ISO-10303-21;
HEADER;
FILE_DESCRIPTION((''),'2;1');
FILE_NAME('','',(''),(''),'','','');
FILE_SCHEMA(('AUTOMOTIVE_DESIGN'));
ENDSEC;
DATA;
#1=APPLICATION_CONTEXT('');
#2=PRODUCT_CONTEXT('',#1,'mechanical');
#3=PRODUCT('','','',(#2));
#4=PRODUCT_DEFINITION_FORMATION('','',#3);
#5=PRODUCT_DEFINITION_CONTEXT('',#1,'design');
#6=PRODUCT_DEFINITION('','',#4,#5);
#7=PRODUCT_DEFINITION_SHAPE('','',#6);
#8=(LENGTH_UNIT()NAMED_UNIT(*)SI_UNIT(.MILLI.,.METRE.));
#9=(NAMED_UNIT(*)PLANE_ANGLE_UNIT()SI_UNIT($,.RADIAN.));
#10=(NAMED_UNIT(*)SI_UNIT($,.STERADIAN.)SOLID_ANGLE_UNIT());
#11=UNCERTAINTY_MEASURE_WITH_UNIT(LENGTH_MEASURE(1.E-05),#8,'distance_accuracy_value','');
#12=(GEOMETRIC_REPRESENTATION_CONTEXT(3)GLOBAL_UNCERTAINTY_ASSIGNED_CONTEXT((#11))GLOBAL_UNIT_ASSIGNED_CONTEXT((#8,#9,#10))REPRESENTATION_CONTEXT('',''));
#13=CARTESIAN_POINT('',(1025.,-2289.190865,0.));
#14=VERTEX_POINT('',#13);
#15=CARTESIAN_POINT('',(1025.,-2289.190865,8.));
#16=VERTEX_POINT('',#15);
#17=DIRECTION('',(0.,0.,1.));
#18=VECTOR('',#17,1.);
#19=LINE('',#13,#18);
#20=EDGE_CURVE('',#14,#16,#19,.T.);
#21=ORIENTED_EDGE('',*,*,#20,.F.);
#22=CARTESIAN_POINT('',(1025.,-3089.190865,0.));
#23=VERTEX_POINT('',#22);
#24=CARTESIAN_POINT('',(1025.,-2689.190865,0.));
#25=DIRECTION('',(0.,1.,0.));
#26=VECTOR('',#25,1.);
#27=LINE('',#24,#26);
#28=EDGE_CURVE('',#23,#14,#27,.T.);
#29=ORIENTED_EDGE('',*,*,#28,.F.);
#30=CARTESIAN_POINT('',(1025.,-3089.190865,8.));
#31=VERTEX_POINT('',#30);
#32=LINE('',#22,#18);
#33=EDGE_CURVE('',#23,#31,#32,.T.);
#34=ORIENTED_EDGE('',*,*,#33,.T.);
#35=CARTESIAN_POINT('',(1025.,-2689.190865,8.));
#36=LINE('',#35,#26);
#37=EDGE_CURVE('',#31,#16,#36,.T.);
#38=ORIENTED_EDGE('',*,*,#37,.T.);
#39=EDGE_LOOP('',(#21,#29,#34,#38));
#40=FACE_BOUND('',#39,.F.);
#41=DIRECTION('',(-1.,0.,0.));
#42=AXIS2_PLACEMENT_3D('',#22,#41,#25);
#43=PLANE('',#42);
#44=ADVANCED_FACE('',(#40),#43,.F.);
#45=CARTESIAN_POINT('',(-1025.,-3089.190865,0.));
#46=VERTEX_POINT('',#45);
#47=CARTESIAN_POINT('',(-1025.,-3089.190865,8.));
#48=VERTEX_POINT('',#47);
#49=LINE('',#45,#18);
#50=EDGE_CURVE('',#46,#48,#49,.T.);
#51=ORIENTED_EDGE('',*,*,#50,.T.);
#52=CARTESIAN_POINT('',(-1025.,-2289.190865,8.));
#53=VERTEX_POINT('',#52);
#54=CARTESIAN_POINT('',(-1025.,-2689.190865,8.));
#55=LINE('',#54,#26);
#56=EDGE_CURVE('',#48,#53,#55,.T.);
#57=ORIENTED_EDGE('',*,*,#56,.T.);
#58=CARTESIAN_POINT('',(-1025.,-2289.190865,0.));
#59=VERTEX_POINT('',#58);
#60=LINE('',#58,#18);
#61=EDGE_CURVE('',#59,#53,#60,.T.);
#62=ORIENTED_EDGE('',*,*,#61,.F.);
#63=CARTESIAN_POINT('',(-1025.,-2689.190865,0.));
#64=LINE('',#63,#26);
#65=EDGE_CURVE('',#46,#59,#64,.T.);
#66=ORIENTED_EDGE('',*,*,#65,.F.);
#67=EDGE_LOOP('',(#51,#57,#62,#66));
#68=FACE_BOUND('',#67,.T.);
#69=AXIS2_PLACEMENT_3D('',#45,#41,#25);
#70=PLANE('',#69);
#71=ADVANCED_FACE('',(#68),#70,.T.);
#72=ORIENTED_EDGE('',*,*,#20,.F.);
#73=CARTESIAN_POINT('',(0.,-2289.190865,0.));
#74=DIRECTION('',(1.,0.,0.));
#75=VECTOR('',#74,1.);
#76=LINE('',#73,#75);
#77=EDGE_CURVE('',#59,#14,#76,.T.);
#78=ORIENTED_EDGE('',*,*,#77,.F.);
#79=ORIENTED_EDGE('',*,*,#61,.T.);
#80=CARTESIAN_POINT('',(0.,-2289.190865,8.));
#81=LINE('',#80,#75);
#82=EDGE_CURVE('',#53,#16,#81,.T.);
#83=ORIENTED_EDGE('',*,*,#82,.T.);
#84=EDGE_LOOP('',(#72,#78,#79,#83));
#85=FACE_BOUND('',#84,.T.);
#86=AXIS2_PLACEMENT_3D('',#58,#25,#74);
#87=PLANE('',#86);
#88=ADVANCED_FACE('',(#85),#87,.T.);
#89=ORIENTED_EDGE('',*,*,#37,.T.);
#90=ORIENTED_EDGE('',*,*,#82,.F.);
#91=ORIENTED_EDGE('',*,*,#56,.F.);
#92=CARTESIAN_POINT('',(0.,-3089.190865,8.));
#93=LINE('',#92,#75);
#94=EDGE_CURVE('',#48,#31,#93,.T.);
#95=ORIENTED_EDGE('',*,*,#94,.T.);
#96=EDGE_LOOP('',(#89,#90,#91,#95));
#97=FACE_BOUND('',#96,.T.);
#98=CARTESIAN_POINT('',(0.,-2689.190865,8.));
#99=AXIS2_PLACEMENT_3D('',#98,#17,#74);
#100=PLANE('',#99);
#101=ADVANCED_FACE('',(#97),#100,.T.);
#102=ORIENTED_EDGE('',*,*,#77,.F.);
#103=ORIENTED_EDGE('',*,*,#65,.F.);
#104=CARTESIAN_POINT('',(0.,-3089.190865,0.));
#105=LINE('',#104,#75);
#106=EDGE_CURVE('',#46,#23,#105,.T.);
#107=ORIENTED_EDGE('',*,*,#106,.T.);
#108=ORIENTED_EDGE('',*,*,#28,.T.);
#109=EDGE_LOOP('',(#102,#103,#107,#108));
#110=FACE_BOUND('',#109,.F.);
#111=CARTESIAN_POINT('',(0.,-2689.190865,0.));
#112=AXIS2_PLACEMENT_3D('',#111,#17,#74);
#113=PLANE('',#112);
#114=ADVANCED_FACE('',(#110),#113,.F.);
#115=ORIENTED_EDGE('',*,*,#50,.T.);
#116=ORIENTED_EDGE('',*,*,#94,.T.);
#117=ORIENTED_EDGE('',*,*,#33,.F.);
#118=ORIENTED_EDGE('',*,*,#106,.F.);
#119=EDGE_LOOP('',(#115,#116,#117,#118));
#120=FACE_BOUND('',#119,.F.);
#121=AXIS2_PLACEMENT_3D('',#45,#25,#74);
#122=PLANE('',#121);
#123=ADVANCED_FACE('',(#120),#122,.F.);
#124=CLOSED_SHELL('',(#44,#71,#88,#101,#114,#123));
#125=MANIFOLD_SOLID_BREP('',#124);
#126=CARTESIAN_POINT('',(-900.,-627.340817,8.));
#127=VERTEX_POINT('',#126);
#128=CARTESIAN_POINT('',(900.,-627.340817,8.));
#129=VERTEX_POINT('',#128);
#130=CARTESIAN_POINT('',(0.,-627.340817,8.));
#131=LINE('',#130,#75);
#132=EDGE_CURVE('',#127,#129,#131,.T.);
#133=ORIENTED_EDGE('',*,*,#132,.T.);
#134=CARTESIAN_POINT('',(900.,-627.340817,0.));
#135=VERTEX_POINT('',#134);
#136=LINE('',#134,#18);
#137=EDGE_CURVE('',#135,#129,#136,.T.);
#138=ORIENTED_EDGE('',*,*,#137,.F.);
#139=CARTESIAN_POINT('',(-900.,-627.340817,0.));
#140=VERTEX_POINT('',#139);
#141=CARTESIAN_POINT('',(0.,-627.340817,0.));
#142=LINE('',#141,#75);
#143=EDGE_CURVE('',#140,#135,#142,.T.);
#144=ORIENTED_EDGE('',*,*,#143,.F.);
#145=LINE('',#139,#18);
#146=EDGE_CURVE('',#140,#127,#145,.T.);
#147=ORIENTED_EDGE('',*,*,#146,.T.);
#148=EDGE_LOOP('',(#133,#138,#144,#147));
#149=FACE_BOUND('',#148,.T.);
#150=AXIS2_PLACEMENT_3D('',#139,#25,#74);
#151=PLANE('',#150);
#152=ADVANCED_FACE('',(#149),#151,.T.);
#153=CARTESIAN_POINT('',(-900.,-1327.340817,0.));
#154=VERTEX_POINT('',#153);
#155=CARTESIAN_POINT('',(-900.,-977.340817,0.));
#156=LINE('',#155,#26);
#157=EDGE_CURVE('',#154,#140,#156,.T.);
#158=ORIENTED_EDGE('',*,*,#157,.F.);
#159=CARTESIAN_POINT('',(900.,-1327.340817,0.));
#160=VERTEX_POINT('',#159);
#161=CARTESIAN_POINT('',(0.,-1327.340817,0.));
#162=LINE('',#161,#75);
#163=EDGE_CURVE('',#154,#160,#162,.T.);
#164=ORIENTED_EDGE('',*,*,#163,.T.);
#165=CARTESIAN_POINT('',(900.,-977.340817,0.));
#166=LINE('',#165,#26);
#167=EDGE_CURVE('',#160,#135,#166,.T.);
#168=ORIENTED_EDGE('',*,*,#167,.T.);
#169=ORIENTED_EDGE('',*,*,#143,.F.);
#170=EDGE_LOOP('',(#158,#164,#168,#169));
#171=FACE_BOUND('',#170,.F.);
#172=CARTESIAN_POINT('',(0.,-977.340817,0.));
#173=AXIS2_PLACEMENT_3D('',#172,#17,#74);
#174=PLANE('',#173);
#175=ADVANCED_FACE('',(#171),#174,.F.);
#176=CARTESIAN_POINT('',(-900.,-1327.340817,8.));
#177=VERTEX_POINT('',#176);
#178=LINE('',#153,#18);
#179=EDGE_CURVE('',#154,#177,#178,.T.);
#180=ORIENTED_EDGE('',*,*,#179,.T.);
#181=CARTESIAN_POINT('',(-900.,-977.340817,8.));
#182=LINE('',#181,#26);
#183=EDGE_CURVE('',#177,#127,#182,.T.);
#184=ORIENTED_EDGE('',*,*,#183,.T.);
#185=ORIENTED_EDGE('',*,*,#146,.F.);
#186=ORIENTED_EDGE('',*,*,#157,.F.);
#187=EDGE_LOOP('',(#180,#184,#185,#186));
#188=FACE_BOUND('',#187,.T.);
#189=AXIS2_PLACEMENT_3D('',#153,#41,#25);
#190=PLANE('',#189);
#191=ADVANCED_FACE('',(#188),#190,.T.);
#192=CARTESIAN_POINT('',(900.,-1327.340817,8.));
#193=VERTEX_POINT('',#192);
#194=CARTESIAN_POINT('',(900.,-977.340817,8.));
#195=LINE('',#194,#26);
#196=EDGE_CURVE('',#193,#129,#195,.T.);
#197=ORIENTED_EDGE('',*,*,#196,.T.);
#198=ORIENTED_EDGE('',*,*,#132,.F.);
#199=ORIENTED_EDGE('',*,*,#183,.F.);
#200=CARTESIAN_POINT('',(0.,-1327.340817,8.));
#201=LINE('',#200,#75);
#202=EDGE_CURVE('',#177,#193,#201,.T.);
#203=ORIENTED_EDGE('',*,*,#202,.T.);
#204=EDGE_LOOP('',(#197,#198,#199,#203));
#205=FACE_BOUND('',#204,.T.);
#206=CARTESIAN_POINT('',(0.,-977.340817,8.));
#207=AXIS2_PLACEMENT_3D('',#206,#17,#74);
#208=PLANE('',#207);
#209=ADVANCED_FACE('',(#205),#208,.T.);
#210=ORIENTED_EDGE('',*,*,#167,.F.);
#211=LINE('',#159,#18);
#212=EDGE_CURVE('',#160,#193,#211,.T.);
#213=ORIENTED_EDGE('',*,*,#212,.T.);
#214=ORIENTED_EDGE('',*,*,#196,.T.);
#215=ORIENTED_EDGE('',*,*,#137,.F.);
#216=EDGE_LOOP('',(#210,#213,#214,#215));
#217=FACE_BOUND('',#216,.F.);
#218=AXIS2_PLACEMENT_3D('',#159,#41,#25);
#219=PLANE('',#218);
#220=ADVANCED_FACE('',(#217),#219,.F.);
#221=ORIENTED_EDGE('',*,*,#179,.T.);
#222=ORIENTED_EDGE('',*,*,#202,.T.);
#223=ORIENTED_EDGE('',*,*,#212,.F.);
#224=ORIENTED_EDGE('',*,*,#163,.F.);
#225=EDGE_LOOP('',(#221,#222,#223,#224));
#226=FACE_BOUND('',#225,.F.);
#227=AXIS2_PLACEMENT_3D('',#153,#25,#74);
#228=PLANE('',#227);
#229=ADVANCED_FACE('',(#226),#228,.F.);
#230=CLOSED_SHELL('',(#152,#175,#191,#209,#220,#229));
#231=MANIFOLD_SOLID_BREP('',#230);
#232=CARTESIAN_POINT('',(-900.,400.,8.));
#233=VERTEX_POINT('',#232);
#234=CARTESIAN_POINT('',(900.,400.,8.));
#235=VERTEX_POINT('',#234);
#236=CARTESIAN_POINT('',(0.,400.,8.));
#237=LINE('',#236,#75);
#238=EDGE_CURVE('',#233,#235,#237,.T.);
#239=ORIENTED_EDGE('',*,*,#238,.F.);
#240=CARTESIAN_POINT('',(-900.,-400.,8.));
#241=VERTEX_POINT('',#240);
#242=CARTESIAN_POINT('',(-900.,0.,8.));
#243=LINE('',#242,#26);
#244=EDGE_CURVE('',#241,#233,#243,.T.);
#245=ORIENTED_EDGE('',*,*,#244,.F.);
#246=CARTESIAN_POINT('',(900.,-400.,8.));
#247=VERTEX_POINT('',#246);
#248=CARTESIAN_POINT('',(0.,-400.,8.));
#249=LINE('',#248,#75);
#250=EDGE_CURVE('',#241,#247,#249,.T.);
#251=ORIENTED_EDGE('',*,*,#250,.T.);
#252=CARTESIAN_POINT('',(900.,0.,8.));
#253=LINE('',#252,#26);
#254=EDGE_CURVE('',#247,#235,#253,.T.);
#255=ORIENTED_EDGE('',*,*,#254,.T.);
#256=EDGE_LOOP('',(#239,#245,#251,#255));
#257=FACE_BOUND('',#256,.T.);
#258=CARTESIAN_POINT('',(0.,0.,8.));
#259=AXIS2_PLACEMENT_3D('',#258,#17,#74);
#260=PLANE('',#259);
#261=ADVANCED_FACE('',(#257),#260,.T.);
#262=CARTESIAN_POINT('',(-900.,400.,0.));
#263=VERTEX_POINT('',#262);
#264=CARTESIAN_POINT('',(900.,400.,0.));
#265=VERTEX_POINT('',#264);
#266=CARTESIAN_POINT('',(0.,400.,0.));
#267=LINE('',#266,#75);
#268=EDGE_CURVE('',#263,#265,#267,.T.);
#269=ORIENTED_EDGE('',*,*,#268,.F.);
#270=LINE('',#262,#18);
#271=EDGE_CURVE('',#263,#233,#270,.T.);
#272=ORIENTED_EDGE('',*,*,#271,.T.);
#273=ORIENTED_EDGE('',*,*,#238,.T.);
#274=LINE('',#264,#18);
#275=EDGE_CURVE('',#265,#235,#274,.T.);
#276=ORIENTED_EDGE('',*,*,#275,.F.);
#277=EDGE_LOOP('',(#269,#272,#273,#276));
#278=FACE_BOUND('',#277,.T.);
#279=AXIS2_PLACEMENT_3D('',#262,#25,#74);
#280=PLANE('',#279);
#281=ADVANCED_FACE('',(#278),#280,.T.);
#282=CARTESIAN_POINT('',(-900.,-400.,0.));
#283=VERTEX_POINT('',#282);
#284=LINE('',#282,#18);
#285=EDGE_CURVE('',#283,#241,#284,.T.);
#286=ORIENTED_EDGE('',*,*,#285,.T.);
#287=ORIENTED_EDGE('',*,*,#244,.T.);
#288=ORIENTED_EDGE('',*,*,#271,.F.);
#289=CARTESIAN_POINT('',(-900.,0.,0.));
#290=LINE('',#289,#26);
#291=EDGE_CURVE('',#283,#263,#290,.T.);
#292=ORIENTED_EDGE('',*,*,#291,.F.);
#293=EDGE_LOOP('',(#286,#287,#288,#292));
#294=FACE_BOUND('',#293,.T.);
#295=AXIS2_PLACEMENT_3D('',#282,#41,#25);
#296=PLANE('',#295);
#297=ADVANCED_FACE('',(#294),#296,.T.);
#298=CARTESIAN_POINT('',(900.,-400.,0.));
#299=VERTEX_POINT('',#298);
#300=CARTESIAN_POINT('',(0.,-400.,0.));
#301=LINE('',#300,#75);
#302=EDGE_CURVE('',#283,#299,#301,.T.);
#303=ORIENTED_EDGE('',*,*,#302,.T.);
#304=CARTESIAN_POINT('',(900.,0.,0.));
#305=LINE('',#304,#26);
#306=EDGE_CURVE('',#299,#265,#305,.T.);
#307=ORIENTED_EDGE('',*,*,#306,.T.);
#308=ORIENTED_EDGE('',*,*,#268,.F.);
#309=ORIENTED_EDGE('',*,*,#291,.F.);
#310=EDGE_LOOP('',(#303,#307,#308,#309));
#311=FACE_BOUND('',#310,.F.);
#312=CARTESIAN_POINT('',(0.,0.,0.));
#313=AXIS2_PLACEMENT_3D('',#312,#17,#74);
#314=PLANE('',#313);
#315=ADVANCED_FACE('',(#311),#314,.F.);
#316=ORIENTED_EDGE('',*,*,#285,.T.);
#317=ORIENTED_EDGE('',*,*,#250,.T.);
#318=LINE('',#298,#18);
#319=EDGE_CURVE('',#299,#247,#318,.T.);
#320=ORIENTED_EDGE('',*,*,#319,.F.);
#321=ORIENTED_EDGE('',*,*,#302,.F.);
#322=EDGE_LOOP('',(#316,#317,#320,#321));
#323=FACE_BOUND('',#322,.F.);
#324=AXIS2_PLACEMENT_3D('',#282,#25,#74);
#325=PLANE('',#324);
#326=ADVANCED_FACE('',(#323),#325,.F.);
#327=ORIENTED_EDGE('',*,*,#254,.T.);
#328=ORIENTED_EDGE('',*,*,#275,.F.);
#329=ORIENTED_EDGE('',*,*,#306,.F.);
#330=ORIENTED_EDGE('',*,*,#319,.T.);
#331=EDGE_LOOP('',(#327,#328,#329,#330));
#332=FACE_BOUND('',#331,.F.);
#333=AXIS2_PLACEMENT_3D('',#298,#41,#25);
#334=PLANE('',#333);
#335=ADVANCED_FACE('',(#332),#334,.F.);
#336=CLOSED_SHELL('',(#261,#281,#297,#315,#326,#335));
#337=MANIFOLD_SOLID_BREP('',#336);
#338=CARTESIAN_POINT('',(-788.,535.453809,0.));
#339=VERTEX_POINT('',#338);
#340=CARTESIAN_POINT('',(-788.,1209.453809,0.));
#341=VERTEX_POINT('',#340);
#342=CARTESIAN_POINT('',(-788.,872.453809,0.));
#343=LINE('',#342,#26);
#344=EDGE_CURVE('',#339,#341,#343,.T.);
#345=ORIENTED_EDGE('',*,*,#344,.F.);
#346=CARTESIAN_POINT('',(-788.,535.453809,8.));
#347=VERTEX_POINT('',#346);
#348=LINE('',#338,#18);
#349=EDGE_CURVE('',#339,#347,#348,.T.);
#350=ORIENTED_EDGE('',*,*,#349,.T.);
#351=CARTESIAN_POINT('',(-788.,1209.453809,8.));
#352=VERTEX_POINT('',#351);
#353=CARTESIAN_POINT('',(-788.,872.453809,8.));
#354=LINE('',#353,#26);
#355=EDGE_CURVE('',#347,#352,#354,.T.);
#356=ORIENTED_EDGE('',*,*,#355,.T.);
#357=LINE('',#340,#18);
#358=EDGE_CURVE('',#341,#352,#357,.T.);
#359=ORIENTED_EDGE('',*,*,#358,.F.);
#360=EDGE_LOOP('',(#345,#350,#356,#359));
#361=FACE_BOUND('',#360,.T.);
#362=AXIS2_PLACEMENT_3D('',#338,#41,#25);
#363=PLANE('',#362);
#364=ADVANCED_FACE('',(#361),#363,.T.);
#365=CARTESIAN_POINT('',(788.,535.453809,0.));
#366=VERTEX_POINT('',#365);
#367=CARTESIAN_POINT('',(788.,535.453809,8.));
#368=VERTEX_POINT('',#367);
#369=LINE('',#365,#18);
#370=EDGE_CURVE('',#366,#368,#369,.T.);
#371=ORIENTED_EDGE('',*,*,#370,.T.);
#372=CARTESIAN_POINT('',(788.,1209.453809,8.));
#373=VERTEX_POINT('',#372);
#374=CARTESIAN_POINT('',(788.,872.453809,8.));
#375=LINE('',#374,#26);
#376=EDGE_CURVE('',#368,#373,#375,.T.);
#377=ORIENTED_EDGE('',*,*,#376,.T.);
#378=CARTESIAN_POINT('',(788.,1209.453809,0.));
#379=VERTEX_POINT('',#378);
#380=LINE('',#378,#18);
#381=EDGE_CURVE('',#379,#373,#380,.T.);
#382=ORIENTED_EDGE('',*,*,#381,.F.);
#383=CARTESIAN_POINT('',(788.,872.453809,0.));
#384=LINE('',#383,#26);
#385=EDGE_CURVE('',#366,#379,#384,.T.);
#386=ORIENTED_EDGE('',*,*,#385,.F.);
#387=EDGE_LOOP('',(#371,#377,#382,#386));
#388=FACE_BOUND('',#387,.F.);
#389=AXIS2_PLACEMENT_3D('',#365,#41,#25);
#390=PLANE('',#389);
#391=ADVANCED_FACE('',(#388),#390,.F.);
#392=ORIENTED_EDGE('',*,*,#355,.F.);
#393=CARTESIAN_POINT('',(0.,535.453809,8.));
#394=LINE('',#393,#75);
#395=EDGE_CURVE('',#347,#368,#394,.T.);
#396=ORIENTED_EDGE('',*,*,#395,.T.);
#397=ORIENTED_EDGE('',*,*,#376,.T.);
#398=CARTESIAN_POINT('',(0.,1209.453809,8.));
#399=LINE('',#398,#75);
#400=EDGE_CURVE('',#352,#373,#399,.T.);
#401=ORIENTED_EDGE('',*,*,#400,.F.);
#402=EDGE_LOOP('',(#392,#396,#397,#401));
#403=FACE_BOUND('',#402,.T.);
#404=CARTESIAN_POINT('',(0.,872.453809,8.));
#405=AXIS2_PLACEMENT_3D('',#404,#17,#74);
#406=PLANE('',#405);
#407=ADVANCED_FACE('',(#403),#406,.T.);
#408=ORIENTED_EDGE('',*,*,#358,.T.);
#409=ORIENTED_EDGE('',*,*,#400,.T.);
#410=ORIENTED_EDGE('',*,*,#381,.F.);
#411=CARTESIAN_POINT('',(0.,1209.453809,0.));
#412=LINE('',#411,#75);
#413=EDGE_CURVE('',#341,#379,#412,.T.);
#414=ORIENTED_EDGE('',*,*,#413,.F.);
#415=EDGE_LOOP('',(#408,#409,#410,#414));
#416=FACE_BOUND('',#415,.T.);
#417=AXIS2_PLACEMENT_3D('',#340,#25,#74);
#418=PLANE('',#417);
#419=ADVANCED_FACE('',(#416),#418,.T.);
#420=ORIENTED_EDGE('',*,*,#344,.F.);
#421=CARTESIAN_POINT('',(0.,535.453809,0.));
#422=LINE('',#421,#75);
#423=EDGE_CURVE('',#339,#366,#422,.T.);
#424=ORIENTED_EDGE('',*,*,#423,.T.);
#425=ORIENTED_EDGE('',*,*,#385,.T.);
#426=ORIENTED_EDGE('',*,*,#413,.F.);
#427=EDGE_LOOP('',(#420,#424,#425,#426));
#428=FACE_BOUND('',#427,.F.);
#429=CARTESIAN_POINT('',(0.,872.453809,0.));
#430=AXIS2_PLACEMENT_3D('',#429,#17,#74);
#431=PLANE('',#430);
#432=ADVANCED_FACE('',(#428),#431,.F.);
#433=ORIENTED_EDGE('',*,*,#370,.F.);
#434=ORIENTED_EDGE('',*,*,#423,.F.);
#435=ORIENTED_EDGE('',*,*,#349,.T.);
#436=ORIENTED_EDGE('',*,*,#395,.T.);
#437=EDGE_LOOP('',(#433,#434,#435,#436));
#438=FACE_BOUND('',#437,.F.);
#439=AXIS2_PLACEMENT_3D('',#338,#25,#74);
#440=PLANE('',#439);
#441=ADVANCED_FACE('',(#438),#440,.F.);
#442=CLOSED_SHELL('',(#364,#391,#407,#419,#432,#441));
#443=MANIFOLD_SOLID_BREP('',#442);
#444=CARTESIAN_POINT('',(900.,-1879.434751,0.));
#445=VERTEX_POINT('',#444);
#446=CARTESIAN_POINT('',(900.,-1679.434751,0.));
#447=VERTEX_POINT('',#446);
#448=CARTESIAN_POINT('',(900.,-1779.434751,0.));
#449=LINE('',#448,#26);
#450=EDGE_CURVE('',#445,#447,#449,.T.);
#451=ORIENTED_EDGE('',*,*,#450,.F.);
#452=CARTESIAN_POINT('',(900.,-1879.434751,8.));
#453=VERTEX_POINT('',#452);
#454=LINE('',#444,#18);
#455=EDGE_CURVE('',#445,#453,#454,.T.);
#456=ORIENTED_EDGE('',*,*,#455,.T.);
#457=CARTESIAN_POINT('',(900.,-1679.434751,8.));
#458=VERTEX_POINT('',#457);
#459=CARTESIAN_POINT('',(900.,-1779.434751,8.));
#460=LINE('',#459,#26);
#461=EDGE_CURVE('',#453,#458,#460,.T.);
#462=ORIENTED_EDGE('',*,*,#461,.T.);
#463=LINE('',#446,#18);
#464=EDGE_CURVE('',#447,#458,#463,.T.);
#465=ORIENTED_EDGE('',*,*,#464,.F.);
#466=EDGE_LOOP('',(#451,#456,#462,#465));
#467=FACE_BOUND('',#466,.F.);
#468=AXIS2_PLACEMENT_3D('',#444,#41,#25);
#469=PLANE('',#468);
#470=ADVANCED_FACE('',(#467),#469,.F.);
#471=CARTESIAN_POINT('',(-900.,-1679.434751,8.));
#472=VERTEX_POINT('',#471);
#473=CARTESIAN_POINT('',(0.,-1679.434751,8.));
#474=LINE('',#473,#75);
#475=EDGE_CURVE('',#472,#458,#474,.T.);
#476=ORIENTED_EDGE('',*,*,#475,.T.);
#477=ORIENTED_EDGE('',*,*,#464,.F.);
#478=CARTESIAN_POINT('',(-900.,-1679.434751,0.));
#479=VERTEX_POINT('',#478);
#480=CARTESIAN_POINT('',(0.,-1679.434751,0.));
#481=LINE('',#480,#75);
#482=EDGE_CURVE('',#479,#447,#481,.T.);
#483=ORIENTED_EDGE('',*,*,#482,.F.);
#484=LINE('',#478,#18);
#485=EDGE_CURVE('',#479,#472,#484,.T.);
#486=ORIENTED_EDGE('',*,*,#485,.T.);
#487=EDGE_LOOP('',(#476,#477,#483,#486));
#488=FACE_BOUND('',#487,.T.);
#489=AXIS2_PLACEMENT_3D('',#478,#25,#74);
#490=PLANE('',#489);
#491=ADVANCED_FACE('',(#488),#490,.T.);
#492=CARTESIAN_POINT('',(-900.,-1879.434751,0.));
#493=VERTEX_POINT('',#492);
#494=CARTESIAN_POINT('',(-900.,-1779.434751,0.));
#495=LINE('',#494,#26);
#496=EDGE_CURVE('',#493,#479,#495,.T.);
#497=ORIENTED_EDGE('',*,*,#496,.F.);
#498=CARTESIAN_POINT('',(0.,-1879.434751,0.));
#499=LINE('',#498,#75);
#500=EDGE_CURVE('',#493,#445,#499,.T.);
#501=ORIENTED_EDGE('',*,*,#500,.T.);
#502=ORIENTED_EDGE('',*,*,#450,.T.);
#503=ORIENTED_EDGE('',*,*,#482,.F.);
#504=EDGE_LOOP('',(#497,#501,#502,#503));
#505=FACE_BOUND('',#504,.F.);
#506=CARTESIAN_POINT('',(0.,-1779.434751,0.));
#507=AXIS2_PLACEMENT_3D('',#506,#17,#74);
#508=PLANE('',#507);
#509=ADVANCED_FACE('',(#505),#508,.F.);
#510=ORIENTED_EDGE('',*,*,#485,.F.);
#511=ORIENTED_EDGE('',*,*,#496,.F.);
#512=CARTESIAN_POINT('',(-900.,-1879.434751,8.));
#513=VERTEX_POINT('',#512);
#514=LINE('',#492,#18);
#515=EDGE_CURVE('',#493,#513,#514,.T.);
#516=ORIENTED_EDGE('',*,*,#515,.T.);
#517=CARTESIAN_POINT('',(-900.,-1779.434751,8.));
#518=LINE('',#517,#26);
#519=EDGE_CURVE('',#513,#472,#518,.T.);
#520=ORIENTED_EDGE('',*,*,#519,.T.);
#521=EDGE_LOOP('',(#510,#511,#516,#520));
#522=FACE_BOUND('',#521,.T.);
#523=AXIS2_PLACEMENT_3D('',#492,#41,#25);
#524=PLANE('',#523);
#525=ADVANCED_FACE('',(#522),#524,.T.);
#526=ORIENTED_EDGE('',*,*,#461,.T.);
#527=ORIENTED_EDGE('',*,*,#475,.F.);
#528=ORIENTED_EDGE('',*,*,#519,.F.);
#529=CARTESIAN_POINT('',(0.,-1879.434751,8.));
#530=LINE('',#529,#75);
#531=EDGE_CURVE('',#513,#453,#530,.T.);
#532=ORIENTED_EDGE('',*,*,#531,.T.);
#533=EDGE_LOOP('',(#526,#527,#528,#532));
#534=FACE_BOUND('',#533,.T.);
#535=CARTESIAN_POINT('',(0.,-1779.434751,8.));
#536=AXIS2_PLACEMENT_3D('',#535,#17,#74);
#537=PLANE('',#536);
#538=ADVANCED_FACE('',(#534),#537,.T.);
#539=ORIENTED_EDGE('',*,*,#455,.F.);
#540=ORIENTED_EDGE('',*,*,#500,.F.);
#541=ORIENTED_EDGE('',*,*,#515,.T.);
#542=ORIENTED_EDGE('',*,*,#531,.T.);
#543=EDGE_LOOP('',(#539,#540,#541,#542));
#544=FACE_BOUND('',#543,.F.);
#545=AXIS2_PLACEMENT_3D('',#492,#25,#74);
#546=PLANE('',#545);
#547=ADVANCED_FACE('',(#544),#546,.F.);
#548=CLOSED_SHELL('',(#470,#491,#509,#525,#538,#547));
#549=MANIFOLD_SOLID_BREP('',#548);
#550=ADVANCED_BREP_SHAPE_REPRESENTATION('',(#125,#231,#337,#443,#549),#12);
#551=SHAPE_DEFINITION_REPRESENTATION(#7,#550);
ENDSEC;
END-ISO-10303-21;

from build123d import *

# Parameters (mm, degrees)
F0_W     = 1800
F0_H     = 800
F0_W_2   = 1576
F0_H_2   = 674
F0_H_3   = 700
F0_H_4   = 200
F0_W_3   = 2050
F1_DEPTH = 8


with BuildPart() as f1:
    # F0 (on Top) → F1 (new body)
    with BuildSketch(Plane.XY):
        Rectangle(F0_W, F0_H)
        with Locations((0, 872.453809)):
            Rectangle(F0_W_2, F0_H_2)
        with Locations((0, -977.340817)):
            Rectangle(F0_W, F0_H_3)
        with Locations((0, -1779.434751)):
            Rectangle(F0_W, F0_H_4)
        with Locations((0, -2689.190865)):
            Rectangle(F0_W_3, F0_H)
    extrude(amount=F1_DEPTH)


solid = f1.part
